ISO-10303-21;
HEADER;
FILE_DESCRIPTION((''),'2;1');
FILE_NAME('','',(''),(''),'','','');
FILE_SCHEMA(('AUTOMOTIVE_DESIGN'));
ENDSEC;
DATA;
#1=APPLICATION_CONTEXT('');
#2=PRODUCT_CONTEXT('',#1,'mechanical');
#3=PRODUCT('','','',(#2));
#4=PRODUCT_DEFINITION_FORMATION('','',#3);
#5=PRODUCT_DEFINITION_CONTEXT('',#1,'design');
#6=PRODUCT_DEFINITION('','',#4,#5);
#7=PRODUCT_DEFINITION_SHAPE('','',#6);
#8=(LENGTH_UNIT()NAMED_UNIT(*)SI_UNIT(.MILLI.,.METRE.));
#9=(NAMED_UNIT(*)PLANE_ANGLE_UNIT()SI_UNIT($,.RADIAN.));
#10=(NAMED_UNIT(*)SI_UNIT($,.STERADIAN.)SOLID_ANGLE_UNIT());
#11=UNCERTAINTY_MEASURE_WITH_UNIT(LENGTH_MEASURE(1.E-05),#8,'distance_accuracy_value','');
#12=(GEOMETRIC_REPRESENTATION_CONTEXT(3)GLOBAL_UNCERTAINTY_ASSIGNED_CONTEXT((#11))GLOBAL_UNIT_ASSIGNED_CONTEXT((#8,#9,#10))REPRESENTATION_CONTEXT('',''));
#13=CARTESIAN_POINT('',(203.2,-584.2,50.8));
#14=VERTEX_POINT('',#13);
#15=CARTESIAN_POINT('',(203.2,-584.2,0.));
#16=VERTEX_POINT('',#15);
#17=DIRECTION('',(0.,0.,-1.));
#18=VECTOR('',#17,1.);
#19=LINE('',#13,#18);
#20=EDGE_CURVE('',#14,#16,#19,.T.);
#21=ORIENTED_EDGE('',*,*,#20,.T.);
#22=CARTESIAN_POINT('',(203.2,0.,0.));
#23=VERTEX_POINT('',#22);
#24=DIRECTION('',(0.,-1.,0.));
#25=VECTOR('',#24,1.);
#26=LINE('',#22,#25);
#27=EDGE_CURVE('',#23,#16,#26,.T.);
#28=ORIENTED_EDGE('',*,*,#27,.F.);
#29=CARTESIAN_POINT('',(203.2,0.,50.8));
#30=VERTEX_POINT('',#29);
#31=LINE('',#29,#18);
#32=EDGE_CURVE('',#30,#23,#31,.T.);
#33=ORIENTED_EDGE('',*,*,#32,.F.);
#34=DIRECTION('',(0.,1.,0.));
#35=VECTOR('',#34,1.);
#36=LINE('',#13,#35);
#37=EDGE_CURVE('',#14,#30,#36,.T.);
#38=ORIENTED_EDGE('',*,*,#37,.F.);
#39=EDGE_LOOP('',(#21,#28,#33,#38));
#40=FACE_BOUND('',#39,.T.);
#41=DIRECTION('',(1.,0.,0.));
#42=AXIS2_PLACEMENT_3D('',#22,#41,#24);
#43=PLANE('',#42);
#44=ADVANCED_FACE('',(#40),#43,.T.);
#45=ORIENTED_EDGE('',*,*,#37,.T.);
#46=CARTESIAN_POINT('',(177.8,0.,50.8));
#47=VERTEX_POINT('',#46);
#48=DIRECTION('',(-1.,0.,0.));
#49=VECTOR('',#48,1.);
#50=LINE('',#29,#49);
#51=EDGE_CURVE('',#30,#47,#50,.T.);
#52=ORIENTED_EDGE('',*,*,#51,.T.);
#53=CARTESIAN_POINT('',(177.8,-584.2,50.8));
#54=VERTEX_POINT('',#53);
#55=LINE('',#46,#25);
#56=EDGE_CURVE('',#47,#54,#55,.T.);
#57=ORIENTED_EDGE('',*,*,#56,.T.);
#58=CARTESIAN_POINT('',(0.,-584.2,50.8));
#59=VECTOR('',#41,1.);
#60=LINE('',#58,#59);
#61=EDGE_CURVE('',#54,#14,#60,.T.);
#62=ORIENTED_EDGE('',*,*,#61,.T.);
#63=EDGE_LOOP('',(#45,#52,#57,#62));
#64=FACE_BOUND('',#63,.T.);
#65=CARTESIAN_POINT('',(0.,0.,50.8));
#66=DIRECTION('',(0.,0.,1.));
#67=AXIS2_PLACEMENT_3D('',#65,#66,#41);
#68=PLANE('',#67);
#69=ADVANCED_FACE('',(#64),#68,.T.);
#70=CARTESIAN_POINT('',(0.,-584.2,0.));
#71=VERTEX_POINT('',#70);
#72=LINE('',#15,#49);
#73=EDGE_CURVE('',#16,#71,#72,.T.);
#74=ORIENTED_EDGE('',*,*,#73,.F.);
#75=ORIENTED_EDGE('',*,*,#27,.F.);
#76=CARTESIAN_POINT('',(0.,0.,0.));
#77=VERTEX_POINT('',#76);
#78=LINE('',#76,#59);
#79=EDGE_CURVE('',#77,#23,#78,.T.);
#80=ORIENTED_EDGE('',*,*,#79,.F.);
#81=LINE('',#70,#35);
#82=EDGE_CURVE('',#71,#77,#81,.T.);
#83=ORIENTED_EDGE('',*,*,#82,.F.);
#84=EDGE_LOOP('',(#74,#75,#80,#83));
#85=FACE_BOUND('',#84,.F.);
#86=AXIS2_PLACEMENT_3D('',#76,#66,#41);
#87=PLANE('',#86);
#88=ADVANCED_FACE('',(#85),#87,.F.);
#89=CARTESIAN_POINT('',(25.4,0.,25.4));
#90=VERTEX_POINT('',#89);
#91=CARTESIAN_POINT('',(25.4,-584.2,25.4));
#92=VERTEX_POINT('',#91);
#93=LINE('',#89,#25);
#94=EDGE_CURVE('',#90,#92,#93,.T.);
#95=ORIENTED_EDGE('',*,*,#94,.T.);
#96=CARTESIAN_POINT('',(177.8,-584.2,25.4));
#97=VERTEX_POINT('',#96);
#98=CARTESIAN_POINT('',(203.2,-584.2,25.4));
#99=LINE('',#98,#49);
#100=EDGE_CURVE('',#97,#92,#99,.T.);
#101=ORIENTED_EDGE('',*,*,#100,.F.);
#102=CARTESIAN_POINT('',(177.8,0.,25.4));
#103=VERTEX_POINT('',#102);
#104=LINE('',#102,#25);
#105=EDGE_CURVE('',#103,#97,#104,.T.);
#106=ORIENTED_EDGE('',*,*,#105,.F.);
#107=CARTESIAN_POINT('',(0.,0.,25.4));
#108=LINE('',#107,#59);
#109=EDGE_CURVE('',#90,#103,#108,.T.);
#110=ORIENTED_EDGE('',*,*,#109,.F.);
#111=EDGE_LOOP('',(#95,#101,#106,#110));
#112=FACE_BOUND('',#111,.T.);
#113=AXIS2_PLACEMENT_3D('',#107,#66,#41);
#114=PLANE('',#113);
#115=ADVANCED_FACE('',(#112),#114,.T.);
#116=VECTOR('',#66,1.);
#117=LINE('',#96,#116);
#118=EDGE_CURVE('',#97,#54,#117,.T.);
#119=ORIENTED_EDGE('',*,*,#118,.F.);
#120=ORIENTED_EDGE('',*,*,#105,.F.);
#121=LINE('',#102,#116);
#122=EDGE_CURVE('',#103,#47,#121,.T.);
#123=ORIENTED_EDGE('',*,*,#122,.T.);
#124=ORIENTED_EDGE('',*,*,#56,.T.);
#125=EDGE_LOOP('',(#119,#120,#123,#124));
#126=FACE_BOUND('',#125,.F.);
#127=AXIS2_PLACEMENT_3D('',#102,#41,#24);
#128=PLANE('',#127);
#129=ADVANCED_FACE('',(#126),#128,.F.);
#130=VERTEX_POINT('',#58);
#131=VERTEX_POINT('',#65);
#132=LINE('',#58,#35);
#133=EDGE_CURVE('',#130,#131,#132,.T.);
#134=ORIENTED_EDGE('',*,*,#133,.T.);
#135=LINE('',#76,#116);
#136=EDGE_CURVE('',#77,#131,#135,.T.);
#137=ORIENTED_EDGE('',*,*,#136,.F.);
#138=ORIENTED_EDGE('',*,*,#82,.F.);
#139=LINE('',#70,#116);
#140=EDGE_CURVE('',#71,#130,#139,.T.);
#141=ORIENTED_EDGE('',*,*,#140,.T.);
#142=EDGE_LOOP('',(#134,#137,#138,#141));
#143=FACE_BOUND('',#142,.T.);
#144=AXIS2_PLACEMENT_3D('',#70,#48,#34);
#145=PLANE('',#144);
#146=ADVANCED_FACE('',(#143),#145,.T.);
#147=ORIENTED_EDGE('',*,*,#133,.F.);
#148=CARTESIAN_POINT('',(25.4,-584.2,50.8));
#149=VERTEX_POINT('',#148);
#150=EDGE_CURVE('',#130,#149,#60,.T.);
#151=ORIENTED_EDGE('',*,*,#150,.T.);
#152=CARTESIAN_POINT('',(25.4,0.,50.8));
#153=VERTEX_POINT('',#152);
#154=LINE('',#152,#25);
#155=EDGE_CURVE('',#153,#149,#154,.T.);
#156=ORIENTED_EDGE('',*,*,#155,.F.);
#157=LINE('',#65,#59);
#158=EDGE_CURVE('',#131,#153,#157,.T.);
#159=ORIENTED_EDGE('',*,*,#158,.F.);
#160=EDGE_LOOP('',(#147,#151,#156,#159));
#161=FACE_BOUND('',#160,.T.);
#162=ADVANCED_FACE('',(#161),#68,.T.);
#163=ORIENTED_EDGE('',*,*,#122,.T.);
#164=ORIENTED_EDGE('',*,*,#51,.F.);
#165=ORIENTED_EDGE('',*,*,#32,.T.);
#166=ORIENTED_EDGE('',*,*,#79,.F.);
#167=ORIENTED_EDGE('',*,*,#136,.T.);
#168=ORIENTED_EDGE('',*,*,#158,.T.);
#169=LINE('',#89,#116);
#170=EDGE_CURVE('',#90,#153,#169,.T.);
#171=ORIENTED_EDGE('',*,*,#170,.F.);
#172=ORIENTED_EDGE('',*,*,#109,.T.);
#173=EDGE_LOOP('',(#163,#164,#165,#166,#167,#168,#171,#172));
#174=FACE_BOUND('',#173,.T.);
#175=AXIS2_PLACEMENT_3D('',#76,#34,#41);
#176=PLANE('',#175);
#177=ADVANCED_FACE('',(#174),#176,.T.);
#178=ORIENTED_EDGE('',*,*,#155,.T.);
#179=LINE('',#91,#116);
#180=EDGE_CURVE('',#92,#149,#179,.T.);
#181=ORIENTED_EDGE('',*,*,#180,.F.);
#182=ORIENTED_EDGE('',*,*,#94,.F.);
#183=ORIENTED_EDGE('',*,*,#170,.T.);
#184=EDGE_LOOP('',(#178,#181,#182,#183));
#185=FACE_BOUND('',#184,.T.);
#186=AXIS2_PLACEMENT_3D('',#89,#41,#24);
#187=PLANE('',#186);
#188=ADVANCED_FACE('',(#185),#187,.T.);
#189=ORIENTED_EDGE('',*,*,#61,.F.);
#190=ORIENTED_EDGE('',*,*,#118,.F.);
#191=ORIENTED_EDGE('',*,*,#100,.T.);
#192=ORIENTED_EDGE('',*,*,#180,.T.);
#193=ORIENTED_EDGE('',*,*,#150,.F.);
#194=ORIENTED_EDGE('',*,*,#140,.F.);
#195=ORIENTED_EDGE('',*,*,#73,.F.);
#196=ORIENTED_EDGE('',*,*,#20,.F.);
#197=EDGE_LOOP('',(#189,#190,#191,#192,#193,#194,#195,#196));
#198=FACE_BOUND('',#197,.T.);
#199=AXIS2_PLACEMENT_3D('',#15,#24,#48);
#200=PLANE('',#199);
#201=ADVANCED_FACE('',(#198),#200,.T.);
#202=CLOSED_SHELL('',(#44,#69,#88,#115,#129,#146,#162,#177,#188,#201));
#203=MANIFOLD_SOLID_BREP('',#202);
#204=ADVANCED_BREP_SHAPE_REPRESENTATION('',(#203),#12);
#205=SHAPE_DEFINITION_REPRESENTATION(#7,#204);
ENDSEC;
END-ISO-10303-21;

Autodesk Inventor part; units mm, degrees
ref_plane "YZ Plane" through (0, 0, 0) normal (1, 0, 0) x (0, 1, 0)
ref_plane "XZ Plane" through (0, 0, 0) normal (0, 1, 0) x (-1, 0, 0)
ref_plane "XY Plane" through (0, 0, 0) normal (0, 0, 1) x (1, 0, 0)
sketch "Sketch1" plane through (0, 0, 0) normal (0, 0, 1) x (1, 0, 0)
  line L0 (0, 0) -> (203.2, 0)
  line L1 (203.2, 0) -> (203.2, -584.2)
  line L2 (203.2, -584.2) -> (0, -584.2)
  line L3 (0, -584.2) -> (0, 0)
  dimension "d0" = 203.2
  dimension "d1" = 584.2
extrude "Extrusion1" add sketch "Sketch1" along normal blind 25.4
sketch "Sketch2" plane through (0, 0, 25.4) normal (0, 0, 1) x (1, 0, 0)
  line L0 (0, -584.2) -> (203.2, -584.2) projected
  line L1 (0, 0) -> (25.4, 0)
  line L2 (25.4, 0) -> (25.4, -584.2)
  line L3 (25.4, -584.2) -> (0, -584.2)
  line L4 (0, -584.2) -> (0, 0)
  line L5 (203.2, 0) -> (0, 0) projected
  line L6 (203.2, 0) -> (177.8, 0)
  line L7 (177.8, 0) -> (177.8, -584.2)
  line L8 (177.8, -584.2) -> (203.2, -584.2)
  line L9 (203.2, -584.2) -> (203.2, 0)
  dimension "d4" = 25.4
  dimension "d5" = 25.4
  dimension "d6" = 584.2
extrude "Extrusion2" add sketch "Sketch2" along normal blind 25.4 contours L4 L1 L2 L0 | L7 L5 L9 L0
properties part number "rev1 tube"
